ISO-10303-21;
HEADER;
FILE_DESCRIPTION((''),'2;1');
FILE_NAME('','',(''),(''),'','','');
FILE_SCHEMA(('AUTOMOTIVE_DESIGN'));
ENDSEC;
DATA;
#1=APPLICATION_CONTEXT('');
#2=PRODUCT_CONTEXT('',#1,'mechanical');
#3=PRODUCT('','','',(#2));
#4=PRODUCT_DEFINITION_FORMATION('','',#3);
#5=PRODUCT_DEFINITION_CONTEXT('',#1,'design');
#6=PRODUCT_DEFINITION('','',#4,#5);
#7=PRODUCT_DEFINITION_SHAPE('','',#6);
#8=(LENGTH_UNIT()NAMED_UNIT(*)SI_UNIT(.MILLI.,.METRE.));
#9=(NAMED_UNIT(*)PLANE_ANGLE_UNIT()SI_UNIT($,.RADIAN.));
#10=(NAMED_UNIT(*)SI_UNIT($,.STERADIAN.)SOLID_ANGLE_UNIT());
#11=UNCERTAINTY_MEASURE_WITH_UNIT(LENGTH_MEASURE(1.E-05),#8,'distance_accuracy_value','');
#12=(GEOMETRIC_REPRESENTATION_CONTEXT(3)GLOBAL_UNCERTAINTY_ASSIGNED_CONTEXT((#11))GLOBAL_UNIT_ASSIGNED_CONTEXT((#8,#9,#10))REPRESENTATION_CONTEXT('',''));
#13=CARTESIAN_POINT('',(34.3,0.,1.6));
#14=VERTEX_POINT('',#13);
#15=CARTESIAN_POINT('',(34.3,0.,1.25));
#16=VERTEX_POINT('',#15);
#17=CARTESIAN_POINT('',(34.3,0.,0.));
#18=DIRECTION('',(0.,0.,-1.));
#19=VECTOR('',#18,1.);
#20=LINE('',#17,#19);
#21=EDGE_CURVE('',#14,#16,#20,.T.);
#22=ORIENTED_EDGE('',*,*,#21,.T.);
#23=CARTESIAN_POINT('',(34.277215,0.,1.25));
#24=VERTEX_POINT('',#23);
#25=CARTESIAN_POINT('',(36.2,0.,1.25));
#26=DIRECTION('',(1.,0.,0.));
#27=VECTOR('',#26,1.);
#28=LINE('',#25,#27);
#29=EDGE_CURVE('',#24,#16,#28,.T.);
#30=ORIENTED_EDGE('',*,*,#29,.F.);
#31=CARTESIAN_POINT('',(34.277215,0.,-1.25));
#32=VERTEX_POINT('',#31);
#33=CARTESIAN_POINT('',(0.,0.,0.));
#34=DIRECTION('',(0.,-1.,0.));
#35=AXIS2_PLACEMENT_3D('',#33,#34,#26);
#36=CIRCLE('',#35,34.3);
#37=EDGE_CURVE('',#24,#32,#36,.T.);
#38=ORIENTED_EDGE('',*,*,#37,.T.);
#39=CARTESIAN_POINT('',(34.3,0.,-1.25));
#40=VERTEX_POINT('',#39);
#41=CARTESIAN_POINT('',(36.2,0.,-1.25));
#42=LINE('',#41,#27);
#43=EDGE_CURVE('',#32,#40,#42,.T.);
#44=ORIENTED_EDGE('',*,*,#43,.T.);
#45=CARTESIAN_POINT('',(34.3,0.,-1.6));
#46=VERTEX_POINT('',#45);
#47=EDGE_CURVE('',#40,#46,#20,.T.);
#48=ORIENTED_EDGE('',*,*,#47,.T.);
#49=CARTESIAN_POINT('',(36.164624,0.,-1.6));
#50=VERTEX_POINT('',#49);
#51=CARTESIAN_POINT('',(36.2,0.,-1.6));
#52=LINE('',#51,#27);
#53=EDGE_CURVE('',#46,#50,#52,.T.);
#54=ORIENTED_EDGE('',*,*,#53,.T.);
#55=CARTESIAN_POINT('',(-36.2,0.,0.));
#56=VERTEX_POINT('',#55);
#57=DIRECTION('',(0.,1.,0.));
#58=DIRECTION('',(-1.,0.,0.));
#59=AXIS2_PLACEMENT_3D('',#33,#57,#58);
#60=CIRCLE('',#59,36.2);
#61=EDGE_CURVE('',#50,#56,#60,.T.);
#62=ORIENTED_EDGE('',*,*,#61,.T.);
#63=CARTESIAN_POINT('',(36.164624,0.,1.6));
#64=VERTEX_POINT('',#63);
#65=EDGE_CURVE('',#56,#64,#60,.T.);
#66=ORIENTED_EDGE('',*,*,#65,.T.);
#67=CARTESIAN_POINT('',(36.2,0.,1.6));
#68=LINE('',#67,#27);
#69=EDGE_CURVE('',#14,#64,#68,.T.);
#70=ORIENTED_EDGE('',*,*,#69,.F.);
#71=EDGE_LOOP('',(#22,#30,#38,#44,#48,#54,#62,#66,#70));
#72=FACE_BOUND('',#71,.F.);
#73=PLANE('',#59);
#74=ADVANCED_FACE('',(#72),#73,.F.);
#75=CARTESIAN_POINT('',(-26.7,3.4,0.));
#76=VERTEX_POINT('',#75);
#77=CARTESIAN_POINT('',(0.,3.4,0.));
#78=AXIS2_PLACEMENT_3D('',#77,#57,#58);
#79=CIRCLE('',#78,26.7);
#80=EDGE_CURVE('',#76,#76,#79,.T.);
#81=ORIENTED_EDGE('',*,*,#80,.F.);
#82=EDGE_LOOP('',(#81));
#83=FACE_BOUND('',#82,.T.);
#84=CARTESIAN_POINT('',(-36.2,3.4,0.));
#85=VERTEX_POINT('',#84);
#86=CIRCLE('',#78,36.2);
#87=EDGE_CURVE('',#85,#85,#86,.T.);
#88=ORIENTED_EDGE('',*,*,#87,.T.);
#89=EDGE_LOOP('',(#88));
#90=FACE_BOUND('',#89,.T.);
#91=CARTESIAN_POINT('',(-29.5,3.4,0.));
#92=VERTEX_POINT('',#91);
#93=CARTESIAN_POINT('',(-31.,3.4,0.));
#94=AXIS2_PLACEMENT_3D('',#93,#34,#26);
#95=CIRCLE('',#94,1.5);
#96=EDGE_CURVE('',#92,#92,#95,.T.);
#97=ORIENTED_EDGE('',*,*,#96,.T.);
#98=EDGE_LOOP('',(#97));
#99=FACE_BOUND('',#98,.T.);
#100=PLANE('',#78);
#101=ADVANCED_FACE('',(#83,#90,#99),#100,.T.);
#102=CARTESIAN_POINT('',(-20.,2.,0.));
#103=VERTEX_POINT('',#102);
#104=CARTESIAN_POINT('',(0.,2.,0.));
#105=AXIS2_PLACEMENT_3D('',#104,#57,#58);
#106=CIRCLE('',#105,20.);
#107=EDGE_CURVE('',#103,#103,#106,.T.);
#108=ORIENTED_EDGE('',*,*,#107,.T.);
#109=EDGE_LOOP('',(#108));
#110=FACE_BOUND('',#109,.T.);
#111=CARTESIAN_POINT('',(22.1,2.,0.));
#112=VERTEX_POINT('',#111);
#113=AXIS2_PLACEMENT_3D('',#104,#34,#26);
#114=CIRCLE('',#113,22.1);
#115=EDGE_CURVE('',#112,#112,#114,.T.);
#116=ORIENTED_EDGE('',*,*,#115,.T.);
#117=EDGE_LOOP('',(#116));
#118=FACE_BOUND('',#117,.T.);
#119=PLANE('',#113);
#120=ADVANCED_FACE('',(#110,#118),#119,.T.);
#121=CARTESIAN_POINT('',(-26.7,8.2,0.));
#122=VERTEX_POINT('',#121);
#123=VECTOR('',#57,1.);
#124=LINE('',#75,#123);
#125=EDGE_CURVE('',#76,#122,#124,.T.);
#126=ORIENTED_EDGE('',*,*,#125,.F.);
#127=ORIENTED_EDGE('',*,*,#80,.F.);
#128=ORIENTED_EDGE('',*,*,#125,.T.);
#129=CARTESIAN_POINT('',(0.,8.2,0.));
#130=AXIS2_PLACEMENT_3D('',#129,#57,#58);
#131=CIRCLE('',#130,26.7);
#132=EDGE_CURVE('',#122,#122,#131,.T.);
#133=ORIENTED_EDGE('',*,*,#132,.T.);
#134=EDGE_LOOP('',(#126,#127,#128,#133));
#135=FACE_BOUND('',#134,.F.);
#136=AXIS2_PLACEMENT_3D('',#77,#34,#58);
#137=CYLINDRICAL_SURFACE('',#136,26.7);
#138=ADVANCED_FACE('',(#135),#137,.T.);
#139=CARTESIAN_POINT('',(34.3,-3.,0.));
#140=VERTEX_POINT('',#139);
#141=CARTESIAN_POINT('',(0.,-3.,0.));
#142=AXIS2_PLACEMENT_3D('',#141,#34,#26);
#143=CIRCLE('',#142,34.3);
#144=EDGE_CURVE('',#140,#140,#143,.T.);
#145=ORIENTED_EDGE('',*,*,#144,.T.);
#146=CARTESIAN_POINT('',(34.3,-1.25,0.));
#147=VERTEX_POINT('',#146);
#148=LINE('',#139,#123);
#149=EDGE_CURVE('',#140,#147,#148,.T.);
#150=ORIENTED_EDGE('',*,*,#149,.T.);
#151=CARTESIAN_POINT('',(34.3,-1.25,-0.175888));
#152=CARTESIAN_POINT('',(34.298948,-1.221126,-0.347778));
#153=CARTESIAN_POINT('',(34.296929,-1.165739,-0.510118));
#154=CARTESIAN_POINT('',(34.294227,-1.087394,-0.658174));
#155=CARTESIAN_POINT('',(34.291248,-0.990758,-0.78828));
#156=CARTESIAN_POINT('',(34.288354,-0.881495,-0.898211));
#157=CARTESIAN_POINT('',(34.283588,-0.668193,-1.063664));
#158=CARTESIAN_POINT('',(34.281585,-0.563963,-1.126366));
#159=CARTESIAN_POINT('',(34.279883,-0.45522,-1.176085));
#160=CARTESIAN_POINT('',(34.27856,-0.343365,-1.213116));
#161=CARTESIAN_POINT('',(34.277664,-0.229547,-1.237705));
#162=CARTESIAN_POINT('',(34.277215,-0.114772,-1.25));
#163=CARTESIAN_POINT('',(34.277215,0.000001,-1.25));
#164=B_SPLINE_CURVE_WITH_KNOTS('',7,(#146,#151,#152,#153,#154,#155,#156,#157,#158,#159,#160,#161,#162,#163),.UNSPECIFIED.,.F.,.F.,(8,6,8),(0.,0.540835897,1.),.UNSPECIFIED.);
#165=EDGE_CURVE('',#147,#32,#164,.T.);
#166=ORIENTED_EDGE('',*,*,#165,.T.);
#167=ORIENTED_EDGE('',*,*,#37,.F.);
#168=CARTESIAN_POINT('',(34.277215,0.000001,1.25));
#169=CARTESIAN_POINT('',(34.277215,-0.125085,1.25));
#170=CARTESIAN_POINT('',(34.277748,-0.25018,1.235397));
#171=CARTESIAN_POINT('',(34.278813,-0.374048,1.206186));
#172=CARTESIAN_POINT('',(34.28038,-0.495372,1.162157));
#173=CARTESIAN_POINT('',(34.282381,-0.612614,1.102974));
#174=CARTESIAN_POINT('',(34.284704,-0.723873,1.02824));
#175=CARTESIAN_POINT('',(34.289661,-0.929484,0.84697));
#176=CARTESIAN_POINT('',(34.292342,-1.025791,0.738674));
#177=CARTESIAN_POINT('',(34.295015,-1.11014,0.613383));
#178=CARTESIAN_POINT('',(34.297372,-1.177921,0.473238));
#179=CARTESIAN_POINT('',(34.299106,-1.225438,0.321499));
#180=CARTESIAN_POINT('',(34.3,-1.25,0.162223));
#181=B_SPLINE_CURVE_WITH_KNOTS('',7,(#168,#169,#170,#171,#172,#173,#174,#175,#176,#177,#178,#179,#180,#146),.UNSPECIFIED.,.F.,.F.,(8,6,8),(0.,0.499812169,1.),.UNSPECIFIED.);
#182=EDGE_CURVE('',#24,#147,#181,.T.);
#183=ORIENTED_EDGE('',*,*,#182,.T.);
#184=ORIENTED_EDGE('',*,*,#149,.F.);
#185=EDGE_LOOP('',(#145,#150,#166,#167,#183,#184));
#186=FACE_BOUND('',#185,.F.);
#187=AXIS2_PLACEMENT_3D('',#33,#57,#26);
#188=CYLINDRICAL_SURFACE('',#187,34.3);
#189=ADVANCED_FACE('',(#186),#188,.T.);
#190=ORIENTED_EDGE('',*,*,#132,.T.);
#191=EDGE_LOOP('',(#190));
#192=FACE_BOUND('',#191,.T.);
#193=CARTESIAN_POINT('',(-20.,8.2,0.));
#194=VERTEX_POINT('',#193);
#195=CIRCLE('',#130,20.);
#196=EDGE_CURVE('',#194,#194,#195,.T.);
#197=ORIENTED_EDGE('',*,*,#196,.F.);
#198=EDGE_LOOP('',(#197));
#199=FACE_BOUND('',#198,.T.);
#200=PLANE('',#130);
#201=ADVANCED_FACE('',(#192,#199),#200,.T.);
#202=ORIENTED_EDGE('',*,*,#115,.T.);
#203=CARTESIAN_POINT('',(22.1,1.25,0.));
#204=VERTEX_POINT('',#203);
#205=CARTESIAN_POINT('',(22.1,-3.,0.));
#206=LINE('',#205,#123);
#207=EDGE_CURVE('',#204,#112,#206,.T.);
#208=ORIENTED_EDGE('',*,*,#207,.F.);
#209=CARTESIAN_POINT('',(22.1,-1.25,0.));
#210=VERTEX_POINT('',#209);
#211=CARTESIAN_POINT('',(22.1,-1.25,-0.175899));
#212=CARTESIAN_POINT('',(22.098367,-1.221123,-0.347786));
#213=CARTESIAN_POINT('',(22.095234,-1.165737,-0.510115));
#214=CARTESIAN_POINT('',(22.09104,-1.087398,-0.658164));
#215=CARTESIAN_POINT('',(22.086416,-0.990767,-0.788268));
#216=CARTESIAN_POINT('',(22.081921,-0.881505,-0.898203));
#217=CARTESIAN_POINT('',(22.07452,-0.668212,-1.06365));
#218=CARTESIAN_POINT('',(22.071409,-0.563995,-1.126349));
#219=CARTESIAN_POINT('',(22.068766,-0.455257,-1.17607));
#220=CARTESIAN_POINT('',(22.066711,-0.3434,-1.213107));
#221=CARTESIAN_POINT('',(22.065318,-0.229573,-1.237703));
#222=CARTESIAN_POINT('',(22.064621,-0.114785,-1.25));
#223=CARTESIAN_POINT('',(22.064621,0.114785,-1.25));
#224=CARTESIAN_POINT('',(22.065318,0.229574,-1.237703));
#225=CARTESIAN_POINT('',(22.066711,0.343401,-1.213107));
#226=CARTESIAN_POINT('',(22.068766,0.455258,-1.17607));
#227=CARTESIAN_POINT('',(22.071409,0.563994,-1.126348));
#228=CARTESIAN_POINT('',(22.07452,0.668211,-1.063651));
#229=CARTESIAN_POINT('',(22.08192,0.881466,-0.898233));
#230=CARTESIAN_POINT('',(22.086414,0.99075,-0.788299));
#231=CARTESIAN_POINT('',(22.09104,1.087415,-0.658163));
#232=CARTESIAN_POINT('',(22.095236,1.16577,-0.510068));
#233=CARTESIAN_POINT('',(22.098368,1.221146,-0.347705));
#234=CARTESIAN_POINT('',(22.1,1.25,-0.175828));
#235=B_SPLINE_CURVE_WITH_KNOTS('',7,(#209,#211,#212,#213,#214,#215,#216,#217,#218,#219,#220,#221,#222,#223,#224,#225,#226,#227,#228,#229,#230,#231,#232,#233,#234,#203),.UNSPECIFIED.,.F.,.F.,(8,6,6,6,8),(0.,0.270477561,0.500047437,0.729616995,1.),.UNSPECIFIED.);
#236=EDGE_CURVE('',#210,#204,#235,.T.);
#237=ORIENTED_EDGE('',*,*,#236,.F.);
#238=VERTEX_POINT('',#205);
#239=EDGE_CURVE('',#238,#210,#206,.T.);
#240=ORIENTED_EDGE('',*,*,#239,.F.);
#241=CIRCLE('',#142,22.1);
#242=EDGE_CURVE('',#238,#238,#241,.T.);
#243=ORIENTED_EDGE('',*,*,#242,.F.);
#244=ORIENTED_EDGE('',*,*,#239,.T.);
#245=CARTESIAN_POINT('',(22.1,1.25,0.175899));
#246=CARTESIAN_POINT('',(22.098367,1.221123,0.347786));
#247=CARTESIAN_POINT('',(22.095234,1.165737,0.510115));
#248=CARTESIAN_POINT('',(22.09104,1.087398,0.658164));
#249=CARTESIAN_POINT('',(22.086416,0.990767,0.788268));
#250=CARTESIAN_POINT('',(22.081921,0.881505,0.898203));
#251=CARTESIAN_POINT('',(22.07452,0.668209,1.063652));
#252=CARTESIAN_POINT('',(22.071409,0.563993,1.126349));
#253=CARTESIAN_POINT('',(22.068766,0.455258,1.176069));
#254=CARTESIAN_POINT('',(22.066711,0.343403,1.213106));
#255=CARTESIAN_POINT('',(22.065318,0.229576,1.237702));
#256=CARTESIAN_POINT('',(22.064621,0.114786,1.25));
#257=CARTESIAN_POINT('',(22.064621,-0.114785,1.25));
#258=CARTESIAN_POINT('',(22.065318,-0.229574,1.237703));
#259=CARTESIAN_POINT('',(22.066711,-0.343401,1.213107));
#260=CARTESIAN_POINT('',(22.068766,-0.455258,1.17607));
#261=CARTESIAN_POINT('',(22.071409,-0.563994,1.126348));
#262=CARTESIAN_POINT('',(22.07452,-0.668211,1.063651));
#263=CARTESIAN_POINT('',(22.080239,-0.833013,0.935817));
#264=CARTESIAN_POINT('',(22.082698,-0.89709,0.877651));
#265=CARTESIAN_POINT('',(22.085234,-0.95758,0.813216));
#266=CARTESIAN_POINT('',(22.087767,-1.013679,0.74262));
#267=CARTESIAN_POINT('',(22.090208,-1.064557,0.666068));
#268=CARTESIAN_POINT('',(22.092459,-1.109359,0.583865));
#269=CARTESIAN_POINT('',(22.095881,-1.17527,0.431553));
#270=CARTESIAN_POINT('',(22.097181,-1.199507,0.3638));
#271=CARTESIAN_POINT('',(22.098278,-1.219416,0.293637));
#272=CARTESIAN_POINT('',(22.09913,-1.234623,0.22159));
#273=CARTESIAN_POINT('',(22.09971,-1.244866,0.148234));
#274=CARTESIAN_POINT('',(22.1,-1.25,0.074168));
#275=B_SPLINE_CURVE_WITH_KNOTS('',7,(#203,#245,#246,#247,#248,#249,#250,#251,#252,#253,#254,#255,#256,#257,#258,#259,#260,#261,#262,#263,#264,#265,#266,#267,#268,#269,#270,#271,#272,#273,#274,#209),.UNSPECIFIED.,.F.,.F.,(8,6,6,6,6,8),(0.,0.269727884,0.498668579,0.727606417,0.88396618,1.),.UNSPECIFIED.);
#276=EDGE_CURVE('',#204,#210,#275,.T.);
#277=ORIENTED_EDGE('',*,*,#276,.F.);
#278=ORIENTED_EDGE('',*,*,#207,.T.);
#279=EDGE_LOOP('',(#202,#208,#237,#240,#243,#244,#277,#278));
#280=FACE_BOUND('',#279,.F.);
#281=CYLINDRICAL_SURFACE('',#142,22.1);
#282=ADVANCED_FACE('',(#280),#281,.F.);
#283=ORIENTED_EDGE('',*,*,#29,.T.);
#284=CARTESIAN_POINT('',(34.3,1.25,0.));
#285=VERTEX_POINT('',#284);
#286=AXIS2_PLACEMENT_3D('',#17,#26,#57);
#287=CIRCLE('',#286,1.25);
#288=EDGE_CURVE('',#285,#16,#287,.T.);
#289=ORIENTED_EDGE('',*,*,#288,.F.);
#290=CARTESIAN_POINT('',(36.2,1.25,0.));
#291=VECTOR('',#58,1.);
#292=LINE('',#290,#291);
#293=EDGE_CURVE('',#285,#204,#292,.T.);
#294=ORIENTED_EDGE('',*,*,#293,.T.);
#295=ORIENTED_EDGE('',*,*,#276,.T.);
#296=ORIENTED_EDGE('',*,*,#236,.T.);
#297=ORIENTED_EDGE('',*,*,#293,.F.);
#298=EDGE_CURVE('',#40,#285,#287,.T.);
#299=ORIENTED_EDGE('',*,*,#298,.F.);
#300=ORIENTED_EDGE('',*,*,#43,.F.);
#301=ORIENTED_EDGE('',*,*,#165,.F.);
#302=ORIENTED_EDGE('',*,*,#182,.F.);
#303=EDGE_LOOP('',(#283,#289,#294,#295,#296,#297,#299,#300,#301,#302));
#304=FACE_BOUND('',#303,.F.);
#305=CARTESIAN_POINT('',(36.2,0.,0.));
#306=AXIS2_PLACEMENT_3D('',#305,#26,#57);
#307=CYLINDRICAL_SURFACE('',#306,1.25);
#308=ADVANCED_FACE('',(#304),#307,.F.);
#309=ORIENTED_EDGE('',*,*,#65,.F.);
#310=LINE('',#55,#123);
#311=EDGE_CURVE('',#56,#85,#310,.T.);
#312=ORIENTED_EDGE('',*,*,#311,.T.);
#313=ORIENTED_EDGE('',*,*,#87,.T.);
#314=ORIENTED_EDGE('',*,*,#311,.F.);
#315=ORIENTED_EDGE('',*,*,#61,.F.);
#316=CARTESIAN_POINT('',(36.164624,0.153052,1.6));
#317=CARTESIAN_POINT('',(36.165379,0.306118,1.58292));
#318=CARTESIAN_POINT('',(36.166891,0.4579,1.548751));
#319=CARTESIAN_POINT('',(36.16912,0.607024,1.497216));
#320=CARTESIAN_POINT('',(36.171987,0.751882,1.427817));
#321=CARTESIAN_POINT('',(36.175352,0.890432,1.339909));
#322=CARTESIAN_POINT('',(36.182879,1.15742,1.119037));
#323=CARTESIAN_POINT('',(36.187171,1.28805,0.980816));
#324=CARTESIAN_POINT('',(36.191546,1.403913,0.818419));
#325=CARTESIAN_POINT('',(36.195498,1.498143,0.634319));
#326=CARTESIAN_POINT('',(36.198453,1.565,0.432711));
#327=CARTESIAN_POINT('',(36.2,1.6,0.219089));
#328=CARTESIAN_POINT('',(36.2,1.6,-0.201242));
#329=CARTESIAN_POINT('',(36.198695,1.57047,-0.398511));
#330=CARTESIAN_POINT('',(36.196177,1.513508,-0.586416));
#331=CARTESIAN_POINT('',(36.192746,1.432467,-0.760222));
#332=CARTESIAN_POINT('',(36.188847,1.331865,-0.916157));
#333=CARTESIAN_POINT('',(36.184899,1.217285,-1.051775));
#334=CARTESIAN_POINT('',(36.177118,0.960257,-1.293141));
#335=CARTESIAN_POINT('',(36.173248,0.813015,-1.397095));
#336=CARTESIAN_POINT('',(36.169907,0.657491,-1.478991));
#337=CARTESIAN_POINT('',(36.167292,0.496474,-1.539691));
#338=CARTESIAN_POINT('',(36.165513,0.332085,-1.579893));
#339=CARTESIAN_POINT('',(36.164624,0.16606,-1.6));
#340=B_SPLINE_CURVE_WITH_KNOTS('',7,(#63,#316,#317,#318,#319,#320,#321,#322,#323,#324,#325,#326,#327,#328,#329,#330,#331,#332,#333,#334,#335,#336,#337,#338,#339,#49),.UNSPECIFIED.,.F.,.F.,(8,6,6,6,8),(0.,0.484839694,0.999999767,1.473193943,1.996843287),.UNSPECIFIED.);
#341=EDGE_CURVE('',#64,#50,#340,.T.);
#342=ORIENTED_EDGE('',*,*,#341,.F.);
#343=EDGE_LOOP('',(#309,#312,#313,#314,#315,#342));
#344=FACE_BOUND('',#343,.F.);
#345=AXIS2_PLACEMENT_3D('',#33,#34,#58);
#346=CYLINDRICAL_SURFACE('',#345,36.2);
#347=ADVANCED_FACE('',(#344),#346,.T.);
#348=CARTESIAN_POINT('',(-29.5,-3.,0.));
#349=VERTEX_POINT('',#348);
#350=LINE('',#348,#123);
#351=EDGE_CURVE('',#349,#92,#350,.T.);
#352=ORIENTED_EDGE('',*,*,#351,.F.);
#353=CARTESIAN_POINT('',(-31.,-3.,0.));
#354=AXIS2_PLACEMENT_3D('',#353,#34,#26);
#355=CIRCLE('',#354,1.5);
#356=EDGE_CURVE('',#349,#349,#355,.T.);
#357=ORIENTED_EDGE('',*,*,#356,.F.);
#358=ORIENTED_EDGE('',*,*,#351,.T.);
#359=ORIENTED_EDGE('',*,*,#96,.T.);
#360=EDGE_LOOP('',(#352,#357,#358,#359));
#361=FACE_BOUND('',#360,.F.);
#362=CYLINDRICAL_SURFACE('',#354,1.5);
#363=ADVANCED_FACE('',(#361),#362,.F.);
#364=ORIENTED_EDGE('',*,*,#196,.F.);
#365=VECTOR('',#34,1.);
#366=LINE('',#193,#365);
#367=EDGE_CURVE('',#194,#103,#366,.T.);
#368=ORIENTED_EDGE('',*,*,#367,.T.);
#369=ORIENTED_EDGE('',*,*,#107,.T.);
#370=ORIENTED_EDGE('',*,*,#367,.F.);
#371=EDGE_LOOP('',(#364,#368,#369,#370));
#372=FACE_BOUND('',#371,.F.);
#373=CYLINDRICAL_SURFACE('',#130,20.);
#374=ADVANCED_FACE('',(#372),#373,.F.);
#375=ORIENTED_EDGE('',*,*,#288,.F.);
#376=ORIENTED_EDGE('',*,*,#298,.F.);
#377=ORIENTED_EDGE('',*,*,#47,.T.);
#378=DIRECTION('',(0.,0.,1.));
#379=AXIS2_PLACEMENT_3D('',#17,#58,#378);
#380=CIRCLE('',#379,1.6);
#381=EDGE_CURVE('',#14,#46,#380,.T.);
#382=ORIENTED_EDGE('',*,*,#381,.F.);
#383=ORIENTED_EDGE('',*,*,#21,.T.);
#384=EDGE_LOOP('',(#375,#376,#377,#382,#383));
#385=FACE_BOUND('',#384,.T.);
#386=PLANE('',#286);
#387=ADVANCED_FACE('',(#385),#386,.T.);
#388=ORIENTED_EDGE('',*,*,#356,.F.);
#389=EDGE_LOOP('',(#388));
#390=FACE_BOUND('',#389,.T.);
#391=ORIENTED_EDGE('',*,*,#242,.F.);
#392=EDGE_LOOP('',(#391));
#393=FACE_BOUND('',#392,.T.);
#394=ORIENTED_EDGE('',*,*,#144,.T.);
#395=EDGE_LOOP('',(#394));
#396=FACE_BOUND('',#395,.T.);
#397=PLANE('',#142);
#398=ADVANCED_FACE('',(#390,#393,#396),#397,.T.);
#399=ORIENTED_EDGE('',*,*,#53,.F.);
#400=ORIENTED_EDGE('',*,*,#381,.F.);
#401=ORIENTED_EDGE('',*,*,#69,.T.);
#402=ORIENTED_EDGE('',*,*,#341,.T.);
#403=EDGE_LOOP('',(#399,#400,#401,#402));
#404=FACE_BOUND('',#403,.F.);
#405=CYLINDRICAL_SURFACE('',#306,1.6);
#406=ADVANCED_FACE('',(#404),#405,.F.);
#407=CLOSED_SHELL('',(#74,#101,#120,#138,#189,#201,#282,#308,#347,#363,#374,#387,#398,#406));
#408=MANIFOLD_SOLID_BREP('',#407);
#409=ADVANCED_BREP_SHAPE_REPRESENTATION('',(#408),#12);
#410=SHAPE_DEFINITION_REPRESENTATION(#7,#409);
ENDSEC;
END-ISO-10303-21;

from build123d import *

# Parameters (mm, degrees)
F0_R      = 34.3
F1_DEPTH  = 3
F2_R      = 36.2
F3_DEPTH  = 3.4
F4_R      = 26.7
F5_DEPTH  = 4.8
F6_R      = 20
F7_DEPTH  = 6.2
F8_R      = 22.1
F9_DEPTH  = 5
F10_R     = 1.5
F11_DEPTH = 6.4
F13_R     = 1.6
F14_DEPTH = 1.9
F15_R     = 1.25
F16_DEPTH = 15


with BuildPart() as f1:
    # F0 (on Front) → F1 (new body)
    with BuildSketch(Plane.XZ):
        Circle(F0_R)
    extrude(amount=F1_DEPTH)

    # F2 (on face) → F3 (join)
    with BuildSketch(Plane(origin=(0, 0, 0), x_dir=(-1, 0, 0), z_dir=(0, 1, 0))):
        Circle(F2_R)
    extrude(amount=F3_DEPTH)

    # F4 (on face) → F5 (join)
    with BuildSketch(Plane(origin=(0, 3.4, 0), x_dir=(-1, 0, 0), z_dir=(0, 1, 0))):
        Circle(F4_R)
    extrude(amount=F5_DEPTH)

    # F6 (on face) → F7 (cut)
    with BuildSketch(Plane(origin=(0, 8.2, 0), x_dir=(-1, 0, 0), z_dir=(0, 1, 0))):
        Circle(F6_R)
    extrude(amount=-F7_DEPTH, mode=Mode.SUBTRACT)

    # F8 (on face) → F9 (cut)
    with BuildSketch(Plane.XZ.offset(3)):
        Circle(F8_R)
    extrude(amount=-F9_DEPTH, mode=Mode.SUBTRACT)

    # F10 (on face) → F11 (cut)
    with BuildSketch(Plane.XZ.offset(3)):
        with Locations((-31, 0)):
            Circle(F10_R)
    extrude(amount=-F11_DEPTH, mode=Mode.SUBTRACT)

    # F13 (on offset) → F14 (cut)
    with BuildSketch(Plane.YZ.offset(36.2)):
        Circle(F13_R)
    extrude(amount=-F14_DEPTH, mode=Mode.SUBTRACT)

    # F15 (on offset) → F16 (cut)
    with BuildSketch(Plane.YZ.offset(36.2)):
        Circle(F15_R)
    extrude(amount=-F16_DEPTH, mode=Mode.SUBTRACT)


solid = f1.part
